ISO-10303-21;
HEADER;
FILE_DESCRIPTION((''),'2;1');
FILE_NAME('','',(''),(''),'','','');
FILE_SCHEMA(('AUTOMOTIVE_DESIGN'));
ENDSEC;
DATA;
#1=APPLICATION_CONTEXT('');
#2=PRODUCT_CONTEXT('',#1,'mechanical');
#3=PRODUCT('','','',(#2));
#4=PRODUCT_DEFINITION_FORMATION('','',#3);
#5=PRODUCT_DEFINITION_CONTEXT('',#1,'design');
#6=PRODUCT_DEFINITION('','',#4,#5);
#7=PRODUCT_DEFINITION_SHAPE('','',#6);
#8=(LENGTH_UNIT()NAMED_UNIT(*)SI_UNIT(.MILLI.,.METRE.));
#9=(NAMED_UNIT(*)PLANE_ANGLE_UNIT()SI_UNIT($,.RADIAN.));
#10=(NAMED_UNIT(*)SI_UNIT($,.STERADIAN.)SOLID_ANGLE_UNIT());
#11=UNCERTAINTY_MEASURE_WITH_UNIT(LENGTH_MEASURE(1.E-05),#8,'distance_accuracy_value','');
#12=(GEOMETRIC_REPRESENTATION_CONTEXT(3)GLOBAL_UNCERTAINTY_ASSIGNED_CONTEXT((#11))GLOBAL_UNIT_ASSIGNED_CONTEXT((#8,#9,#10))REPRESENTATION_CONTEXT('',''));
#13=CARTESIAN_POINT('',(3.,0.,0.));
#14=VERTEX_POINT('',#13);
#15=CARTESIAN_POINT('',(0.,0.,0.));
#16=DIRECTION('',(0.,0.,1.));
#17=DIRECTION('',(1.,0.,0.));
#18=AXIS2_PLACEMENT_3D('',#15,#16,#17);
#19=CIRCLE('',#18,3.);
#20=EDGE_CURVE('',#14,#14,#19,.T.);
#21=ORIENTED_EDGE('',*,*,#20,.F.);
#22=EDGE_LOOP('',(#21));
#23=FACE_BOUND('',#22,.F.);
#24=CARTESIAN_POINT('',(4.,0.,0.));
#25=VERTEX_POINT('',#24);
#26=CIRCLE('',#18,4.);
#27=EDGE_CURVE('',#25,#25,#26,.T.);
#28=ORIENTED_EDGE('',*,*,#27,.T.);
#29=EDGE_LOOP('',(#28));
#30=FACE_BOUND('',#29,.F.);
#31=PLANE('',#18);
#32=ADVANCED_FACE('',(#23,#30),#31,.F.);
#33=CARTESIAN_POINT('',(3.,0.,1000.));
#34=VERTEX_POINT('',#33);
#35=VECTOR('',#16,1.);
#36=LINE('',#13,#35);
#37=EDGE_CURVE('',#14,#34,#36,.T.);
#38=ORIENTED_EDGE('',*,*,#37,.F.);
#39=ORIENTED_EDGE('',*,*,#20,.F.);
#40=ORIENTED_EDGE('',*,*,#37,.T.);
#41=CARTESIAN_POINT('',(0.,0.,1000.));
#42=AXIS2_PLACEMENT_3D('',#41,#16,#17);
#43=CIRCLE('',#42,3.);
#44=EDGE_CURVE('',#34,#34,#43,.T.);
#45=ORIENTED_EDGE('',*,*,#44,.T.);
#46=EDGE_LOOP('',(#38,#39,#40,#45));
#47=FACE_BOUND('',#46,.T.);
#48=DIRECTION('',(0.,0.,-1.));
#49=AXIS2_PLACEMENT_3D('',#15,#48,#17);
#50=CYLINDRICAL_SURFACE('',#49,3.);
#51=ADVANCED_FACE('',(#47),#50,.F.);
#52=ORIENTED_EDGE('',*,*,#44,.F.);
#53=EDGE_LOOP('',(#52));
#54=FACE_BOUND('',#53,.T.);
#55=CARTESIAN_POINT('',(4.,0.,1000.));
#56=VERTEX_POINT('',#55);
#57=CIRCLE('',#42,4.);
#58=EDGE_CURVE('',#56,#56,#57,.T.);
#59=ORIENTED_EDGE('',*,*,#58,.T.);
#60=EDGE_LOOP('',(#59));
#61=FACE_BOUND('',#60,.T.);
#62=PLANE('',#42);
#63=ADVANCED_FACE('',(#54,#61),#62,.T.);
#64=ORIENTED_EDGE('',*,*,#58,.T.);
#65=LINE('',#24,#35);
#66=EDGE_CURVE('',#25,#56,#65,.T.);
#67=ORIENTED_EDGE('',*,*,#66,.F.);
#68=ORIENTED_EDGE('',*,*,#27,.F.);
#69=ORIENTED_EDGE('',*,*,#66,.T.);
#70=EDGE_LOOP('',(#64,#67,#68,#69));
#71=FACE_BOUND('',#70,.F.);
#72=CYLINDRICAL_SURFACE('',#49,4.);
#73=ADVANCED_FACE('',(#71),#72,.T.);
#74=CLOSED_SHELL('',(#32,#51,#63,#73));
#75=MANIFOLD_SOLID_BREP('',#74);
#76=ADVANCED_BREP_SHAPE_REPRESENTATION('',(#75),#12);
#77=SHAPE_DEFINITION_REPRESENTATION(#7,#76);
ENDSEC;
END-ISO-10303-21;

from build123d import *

# Parameters (mm, degrees)
ESBO_O1_R                = 4
ESBO_O1_R_2              = 3
RESSALTO_EXTRUS_O1_DEPTH = 1000


with BuildPart() as part:
    # Esboço1 → Ressalto-extrusão1 (new body)
    with BuildSketch(Plane.XY):
        Circle(ESBO_O1_R)
        Circle(ESBO_O1_R_2, mode=Mode.SUBTRACT)
    extrude(amount=RESSALTO_EXTRUS_O1_DEPTH)


solid = part.part
